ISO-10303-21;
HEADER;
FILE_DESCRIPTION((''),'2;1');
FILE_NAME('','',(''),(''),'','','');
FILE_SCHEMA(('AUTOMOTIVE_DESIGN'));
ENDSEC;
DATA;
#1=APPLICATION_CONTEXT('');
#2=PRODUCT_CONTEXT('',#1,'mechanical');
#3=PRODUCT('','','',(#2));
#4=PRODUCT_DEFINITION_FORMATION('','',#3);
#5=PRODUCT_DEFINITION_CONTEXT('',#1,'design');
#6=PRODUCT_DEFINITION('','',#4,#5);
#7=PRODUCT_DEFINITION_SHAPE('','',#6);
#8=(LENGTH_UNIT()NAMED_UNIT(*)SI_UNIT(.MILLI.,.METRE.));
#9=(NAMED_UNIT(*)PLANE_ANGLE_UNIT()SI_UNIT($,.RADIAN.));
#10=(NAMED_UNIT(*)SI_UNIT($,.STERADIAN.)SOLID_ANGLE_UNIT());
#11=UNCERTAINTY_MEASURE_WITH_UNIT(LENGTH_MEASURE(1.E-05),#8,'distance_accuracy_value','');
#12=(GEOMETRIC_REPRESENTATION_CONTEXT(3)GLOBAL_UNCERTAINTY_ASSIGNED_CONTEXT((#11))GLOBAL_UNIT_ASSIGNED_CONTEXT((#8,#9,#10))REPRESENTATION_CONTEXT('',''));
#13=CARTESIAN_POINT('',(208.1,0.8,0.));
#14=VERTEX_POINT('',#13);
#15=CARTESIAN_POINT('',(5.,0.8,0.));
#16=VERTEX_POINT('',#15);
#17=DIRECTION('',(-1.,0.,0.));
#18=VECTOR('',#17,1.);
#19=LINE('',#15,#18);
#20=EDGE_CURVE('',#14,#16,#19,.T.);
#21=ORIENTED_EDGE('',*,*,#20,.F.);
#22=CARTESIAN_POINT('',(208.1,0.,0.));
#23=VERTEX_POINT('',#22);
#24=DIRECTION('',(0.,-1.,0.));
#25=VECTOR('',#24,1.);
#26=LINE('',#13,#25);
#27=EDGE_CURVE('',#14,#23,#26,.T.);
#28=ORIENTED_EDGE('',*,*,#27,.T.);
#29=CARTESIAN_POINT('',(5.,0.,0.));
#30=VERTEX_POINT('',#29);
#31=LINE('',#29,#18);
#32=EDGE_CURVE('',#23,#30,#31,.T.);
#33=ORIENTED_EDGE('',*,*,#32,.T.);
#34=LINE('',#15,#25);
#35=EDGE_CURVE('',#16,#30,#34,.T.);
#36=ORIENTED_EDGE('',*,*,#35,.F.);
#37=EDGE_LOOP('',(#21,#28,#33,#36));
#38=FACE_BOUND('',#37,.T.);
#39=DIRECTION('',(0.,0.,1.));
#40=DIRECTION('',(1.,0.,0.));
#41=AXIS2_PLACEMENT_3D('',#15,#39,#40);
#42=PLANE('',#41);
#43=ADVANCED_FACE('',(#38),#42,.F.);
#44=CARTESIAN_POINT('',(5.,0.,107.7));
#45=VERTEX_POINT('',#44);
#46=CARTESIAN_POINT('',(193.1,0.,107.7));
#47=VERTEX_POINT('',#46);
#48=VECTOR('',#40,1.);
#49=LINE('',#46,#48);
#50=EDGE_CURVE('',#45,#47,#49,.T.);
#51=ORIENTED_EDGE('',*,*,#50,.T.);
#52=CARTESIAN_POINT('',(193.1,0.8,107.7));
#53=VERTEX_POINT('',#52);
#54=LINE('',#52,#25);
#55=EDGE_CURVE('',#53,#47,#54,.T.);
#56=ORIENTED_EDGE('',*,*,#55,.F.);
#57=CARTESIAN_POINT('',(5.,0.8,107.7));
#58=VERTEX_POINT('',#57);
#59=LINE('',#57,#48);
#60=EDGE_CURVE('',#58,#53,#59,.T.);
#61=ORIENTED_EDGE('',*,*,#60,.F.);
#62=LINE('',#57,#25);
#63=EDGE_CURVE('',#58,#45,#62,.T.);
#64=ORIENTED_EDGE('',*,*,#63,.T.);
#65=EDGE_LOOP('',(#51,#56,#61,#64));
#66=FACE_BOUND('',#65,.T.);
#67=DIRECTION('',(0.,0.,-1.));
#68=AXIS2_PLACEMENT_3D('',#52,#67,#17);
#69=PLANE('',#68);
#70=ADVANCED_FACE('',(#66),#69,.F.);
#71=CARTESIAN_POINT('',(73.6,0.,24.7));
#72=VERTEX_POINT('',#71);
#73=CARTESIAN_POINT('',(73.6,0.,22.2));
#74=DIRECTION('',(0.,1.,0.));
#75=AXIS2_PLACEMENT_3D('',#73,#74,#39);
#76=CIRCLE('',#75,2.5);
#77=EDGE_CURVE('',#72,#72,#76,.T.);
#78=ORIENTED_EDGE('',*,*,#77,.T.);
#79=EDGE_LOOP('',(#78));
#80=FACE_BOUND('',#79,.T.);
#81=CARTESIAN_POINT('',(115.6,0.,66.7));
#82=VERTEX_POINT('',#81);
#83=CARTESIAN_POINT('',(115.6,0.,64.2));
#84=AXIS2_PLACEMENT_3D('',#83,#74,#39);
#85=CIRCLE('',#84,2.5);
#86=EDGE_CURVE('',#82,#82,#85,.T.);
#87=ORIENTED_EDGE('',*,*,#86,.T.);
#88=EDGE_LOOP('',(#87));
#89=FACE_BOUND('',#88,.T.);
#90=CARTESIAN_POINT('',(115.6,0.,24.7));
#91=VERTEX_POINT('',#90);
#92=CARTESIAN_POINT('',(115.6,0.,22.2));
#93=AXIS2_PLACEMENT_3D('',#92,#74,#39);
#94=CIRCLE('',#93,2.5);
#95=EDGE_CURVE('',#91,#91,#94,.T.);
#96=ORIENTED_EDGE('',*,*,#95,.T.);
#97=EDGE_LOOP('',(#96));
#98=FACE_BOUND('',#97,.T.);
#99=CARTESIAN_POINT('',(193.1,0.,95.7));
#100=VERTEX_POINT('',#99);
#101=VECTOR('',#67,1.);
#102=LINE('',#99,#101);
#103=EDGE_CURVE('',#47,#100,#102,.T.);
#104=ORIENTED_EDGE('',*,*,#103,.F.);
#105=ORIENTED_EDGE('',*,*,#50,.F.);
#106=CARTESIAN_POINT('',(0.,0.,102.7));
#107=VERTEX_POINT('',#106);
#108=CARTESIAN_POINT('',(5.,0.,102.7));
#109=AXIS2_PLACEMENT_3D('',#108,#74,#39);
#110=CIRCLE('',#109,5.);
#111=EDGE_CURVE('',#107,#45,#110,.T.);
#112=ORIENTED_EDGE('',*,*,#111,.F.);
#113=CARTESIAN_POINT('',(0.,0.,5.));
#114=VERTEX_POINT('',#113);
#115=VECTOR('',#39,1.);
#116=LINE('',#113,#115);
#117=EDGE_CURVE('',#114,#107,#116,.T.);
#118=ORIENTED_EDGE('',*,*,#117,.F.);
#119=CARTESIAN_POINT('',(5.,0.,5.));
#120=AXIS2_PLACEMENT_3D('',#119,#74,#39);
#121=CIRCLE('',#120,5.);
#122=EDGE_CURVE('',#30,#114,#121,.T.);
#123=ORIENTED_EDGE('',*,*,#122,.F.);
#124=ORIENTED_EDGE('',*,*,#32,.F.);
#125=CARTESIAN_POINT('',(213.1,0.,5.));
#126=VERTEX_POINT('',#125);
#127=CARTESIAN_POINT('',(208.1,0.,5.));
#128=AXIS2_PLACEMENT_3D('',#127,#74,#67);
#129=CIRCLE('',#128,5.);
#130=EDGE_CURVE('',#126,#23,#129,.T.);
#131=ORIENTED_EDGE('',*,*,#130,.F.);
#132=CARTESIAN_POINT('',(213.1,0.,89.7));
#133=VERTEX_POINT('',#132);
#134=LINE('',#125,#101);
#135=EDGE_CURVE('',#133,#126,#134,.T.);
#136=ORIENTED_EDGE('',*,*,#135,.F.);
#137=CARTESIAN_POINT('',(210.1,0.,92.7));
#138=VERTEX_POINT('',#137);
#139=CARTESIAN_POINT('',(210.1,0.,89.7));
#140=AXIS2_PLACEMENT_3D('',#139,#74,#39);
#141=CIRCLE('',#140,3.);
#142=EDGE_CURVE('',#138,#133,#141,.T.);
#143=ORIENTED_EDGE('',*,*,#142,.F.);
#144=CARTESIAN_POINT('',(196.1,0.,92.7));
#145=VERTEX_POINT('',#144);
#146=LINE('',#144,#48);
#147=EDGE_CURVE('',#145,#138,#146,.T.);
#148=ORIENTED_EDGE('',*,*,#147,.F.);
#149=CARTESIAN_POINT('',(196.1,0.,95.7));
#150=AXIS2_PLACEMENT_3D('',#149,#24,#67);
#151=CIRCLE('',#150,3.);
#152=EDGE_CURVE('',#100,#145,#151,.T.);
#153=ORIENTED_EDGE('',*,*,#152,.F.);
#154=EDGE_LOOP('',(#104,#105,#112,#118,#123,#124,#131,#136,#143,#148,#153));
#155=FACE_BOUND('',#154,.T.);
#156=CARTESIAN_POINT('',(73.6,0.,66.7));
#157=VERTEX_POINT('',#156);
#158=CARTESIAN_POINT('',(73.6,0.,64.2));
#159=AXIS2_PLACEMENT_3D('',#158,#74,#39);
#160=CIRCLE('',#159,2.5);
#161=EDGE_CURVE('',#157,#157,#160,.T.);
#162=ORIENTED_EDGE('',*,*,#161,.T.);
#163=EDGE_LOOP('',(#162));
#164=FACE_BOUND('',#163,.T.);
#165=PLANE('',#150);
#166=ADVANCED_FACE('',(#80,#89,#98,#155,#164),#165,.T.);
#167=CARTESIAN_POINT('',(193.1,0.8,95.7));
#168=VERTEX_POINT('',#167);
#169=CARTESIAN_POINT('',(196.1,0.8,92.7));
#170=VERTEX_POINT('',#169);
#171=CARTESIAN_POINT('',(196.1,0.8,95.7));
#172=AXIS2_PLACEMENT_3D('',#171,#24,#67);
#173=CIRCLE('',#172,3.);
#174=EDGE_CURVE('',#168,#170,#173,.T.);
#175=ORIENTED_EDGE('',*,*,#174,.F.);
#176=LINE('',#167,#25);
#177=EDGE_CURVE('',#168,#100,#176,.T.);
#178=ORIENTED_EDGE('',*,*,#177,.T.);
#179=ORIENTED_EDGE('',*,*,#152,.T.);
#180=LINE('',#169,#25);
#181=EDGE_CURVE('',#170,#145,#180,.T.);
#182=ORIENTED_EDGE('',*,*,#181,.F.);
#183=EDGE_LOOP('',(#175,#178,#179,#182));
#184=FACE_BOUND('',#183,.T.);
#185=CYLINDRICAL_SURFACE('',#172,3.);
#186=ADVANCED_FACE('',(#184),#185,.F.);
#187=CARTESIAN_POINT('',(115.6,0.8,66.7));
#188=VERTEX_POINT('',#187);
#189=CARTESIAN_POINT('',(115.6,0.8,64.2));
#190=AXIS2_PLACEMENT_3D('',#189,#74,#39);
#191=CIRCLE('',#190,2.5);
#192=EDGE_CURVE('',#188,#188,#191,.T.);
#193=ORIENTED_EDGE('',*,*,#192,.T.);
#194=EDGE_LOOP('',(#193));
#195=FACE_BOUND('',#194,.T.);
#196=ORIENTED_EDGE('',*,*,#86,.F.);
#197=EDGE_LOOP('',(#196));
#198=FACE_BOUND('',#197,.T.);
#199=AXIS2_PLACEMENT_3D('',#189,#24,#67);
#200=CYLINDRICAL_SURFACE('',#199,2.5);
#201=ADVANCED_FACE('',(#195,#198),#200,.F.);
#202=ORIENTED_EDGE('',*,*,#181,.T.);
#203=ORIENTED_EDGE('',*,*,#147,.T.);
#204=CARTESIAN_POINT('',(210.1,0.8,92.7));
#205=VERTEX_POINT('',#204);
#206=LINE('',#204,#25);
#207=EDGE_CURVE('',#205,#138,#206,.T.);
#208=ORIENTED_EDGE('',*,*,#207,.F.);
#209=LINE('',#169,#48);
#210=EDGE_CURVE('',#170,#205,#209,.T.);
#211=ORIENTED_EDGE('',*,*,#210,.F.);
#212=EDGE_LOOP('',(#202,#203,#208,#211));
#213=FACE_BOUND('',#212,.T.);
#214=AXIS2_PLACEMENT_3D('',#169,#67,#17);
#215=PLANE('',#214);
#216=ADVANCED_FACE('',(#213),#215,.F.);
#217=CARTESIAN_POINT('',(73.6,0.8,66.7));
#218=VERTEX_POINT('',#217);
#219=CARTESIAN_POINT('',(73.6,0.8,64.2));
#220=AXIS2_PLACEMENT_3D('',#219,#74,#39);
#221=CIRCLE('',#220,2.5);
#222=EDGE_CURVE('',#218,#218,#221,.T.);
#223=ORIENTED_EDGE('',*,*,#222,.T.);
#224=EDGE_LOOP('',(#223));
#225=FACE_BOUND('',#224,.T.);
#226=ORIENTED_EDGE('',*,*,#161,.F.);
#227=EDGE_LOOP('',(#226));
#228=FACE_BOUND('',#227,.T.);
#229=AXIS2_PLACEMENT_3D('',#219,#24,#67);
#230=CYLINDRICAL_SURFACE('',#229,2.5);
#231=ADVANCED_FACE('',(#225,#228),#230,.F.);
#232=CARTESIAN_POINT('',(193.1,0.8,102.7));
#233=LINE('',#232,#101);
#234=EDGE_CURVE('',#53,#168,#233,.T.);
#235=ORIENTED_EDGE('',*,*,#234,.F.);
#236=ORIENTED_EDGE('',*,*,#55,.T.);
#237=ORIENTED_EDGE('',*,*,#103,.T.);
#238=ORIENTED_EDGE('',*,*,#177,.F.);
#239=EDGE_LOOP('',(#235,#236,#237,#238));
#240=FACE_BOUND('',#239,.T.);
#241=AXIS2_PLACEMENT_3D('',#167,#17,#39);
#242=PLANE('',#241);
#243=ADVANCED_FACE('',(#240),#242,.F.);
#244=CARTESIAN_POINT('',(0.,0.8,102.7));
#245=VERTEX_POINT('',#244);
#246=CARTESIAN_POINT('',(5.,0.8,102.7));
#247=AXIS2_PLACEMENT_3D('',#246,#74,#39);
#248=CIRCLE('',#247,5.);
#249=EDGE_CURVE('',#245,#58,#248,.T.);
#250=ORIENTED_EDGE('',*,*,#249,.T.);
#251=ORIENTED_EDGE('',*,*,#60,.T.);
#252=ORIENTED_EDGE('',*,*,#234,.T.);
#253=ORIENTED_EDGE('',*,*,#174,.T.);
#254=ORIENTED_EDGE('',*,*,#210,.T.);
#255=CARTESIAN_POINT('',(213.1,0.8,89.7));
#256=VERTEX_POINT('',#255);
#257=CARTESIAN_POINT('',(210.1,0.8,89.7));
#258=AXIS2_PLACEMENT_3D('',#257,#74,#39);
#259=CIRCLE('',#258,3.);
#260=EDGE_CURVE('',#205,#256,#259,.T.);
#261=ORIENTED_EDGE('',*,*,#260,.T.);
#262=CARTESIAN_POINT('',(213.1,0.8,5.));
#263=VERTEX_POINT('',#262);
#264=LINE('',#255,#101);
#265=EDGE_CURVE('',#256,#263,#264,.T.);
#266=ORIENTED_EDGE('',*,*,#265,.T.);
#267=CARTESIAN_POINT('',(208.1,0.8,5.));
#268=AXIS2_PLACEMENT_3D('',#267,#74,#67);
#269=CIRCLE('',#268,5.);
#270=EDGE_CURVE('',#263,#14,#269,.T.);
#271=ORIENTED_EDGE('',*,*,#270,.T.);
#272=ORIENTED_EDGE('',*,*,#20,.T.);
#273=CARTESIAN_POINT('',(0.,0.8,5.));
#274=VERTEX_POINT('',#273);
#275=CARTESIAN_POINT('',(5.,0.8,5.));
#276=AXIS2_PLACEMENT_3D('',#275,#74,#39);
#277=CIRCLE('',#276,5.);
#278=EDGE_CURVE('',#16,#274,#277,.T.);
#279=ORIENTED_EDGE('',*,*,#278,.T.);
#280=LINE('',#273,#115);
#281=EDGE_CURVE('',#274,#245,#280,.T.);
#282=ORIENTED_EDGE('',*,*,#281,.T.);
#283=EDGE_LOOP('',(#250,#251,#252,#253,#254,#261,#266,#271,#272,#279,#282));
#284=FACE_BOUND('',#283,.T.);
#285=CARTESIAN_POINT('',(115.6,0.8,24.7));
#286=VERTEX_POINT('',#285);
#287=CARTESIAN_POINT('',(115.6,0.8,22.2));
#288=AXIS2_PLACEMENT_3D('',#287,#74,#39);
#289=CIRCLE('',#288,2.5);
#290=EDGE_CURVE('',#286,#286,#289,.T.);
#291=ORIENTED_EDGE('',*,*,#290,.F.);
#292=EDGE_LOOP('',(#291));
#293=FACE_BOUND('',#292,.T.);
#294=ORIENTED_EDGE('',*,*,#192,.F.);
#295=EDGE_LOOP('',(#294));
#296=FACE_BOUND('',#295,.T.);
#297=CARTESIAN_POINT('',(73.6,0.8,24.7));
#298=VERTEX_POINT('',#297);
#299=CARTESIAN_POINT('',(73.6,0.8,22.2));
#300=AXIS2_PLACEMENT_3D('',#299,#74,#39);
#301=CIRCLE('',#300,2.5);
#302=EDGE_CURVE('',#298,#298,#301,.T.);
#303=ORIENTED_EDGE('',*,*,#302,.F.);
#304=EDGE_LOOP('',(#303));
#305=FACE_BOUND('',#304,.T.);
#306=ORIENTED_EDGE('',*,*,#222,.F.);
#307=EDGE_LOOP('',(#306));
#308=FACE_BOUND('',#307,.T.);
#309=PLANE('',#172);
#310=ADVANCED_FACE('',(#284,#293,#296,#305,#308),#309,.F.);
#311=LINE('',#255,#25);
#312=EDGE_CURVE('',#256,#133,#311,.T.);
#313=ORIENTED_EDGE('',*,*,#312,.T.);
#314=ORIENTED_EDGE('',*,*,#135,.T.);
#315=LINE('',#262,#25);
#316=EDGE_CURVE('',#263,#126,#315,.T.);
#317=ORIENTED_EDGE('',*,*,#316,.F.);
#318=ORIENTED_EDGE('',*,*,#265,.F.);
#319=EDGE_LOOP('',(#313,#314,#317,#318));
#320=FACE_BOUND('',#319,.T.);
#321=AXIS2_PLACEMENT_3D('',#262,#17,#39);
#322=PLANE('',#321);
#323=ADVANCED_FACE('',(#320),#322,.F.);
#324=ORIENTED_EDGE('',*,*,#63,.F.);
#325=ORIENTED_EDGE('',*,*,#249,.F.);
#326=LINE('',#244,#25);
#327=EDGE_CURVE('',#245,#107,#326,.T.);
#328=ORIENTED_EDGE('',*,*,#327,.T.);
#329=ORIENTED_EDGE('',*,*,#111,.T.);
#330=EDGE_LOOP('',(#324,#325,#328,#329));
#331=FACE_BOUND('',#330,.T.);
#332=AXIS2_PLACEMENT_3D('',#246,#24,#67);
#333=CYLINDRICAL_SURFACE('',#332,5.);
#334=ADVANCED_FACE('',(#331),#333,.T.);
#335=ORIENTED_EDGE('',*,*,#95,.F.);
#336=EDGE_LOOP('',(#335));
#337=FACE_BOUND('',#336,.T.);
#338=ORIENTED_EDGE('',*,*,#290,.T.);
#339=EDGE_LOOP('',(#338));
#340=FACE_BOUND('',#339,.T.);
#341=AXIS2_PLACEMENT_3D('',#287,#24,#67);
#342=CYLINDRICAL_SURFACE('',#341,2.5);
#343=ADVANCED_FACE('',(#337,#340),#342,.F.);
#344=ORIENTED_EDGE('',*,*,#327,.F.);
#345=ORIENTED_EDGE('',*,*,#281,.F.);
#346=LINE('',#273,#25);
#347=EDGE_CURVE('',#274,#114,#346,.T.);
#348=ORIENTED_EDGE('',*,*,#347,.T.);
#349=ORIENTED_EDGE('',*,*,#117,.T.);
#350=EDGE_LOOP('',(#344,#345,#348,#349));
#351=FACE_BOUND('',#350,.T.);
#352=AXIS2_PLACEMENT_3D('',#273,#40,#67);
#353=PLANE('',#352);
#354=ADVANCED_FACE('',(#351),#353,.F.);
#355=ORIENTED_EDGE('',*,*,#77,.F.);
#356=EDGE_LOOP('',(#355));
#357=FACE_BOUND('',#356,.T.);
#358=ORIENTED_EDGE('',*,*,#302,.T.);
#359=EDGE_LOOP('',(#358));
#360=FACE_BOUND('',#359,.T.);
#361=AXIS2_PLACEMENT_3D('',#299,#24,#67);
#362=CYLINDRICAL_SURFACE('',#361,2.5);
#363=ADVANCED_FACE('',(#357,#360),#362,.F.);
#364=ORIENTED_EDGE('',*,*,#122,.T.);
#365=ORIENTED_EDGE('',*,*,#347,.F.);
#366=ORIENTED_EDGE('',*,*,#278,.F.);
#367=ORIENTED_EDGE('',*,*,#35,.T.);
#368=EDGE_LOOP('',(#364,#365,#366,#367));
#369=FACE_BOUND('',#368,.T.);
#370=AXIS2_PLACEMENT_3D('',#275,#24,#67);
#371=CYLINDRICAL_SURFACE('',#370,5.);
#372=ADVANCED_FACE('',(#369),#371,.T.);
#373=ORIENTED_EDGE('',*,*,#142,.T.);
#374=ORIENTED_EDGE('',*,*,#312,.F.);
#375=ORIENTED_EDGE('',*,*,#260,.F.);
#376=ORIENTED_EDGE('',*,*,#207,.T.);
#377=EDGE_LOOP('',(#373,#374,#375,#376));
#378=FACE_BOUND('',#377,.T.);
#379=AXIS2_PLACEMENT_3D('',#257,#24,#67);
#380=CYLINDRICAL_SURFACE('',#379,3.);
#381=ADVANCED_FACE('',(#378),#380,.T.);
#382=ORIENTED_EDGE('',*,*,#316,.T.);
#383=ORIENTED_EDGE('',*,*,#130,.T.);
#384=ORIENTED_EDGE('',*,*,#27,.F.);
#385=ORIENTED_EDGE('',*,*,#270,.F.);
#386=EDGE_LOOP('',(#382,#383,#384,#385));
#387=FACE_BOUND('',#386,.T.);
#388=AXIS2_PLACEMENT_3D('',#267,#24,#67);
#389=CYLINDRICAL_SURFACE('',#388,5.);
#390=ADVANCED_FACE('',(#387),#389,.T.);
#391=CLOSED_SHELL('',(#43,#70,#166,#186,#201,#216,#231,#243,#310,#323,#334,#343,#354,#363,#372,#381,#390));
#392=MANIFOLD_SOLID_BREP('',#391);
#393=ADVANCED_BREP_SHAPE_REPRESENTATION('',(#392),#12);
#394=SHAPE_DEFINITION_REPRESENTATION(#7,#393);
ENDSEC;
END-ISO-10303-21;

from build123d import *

# Parameters (mm, degrees)
SKETCH1_R           = 2.5
BOSS_EXTRUDE1_DEPTH = 0.8


with BuildPart() as part:
    # Sketch1 → Boss-Extrude1 (new body)
    with BuildSketch(Plane(origin=(0, 0, 0), x_dir=(1, 0, 0), z_dir=(0, 1, 0))):
        with BuildLine():
            Line((5, 0), (208.1, 0))
            ThreePointArc((208.1, 0), (211.635533906, -1.464466094), (213.1, -5))
            Line((213.1, -5), (213.1, -82.7))
            Line((213.1, -82.7), (213.1, -87.7))
            Line((213.1, -87.7), (213.1, -89.7))
            ThreePointArc((213.1, -89.7), (212.221320344, -91.821320344), (210.1, -92.7))
            Line((210.1, -92.7), (196.1, -92.7))
            ThreePointArc((196.1, -92.7), (193.978679656, -93.578679656), (193.1, -95.7))
            Line((193.1, -95.7), (193.1, -102.7))
            Line((193.1, -102.7), (193.1, -107.7))
            Line((193.1, -107.7), (188.1, -107.7))
            Line((188.1, -107.7), (5, -107.7))
            ThreePointArc((5, -107.7), (1.464466094, -106.235533906), (0, -102.7))
            Line((0, -102.7), (0, -5))
            ThreePointArc((0, -5), (1.464466094, -1.464466094), (5, 0))
        make_face()
        with Locations((73.6, -22.2)):
            Circle(SKETCH1_R, mode=Mode.SUBTRACT)
        with Locations((115.6, -22.2)):
            Circle(SKETCH1_R, mode=Mode.SUBTRACT)
        with Locations((115.6, -64.2)):
            Circle(SKETCH1_R, mode=Mode.SUBTRACT)
        with Locations((73.6, -64.2)):
            Circle(SKETCH1_R, mode=Mode.SUBTRACT)
    extrude(amount=BOSS_EXTRUDE1_DEPTH)


solid = part.part
